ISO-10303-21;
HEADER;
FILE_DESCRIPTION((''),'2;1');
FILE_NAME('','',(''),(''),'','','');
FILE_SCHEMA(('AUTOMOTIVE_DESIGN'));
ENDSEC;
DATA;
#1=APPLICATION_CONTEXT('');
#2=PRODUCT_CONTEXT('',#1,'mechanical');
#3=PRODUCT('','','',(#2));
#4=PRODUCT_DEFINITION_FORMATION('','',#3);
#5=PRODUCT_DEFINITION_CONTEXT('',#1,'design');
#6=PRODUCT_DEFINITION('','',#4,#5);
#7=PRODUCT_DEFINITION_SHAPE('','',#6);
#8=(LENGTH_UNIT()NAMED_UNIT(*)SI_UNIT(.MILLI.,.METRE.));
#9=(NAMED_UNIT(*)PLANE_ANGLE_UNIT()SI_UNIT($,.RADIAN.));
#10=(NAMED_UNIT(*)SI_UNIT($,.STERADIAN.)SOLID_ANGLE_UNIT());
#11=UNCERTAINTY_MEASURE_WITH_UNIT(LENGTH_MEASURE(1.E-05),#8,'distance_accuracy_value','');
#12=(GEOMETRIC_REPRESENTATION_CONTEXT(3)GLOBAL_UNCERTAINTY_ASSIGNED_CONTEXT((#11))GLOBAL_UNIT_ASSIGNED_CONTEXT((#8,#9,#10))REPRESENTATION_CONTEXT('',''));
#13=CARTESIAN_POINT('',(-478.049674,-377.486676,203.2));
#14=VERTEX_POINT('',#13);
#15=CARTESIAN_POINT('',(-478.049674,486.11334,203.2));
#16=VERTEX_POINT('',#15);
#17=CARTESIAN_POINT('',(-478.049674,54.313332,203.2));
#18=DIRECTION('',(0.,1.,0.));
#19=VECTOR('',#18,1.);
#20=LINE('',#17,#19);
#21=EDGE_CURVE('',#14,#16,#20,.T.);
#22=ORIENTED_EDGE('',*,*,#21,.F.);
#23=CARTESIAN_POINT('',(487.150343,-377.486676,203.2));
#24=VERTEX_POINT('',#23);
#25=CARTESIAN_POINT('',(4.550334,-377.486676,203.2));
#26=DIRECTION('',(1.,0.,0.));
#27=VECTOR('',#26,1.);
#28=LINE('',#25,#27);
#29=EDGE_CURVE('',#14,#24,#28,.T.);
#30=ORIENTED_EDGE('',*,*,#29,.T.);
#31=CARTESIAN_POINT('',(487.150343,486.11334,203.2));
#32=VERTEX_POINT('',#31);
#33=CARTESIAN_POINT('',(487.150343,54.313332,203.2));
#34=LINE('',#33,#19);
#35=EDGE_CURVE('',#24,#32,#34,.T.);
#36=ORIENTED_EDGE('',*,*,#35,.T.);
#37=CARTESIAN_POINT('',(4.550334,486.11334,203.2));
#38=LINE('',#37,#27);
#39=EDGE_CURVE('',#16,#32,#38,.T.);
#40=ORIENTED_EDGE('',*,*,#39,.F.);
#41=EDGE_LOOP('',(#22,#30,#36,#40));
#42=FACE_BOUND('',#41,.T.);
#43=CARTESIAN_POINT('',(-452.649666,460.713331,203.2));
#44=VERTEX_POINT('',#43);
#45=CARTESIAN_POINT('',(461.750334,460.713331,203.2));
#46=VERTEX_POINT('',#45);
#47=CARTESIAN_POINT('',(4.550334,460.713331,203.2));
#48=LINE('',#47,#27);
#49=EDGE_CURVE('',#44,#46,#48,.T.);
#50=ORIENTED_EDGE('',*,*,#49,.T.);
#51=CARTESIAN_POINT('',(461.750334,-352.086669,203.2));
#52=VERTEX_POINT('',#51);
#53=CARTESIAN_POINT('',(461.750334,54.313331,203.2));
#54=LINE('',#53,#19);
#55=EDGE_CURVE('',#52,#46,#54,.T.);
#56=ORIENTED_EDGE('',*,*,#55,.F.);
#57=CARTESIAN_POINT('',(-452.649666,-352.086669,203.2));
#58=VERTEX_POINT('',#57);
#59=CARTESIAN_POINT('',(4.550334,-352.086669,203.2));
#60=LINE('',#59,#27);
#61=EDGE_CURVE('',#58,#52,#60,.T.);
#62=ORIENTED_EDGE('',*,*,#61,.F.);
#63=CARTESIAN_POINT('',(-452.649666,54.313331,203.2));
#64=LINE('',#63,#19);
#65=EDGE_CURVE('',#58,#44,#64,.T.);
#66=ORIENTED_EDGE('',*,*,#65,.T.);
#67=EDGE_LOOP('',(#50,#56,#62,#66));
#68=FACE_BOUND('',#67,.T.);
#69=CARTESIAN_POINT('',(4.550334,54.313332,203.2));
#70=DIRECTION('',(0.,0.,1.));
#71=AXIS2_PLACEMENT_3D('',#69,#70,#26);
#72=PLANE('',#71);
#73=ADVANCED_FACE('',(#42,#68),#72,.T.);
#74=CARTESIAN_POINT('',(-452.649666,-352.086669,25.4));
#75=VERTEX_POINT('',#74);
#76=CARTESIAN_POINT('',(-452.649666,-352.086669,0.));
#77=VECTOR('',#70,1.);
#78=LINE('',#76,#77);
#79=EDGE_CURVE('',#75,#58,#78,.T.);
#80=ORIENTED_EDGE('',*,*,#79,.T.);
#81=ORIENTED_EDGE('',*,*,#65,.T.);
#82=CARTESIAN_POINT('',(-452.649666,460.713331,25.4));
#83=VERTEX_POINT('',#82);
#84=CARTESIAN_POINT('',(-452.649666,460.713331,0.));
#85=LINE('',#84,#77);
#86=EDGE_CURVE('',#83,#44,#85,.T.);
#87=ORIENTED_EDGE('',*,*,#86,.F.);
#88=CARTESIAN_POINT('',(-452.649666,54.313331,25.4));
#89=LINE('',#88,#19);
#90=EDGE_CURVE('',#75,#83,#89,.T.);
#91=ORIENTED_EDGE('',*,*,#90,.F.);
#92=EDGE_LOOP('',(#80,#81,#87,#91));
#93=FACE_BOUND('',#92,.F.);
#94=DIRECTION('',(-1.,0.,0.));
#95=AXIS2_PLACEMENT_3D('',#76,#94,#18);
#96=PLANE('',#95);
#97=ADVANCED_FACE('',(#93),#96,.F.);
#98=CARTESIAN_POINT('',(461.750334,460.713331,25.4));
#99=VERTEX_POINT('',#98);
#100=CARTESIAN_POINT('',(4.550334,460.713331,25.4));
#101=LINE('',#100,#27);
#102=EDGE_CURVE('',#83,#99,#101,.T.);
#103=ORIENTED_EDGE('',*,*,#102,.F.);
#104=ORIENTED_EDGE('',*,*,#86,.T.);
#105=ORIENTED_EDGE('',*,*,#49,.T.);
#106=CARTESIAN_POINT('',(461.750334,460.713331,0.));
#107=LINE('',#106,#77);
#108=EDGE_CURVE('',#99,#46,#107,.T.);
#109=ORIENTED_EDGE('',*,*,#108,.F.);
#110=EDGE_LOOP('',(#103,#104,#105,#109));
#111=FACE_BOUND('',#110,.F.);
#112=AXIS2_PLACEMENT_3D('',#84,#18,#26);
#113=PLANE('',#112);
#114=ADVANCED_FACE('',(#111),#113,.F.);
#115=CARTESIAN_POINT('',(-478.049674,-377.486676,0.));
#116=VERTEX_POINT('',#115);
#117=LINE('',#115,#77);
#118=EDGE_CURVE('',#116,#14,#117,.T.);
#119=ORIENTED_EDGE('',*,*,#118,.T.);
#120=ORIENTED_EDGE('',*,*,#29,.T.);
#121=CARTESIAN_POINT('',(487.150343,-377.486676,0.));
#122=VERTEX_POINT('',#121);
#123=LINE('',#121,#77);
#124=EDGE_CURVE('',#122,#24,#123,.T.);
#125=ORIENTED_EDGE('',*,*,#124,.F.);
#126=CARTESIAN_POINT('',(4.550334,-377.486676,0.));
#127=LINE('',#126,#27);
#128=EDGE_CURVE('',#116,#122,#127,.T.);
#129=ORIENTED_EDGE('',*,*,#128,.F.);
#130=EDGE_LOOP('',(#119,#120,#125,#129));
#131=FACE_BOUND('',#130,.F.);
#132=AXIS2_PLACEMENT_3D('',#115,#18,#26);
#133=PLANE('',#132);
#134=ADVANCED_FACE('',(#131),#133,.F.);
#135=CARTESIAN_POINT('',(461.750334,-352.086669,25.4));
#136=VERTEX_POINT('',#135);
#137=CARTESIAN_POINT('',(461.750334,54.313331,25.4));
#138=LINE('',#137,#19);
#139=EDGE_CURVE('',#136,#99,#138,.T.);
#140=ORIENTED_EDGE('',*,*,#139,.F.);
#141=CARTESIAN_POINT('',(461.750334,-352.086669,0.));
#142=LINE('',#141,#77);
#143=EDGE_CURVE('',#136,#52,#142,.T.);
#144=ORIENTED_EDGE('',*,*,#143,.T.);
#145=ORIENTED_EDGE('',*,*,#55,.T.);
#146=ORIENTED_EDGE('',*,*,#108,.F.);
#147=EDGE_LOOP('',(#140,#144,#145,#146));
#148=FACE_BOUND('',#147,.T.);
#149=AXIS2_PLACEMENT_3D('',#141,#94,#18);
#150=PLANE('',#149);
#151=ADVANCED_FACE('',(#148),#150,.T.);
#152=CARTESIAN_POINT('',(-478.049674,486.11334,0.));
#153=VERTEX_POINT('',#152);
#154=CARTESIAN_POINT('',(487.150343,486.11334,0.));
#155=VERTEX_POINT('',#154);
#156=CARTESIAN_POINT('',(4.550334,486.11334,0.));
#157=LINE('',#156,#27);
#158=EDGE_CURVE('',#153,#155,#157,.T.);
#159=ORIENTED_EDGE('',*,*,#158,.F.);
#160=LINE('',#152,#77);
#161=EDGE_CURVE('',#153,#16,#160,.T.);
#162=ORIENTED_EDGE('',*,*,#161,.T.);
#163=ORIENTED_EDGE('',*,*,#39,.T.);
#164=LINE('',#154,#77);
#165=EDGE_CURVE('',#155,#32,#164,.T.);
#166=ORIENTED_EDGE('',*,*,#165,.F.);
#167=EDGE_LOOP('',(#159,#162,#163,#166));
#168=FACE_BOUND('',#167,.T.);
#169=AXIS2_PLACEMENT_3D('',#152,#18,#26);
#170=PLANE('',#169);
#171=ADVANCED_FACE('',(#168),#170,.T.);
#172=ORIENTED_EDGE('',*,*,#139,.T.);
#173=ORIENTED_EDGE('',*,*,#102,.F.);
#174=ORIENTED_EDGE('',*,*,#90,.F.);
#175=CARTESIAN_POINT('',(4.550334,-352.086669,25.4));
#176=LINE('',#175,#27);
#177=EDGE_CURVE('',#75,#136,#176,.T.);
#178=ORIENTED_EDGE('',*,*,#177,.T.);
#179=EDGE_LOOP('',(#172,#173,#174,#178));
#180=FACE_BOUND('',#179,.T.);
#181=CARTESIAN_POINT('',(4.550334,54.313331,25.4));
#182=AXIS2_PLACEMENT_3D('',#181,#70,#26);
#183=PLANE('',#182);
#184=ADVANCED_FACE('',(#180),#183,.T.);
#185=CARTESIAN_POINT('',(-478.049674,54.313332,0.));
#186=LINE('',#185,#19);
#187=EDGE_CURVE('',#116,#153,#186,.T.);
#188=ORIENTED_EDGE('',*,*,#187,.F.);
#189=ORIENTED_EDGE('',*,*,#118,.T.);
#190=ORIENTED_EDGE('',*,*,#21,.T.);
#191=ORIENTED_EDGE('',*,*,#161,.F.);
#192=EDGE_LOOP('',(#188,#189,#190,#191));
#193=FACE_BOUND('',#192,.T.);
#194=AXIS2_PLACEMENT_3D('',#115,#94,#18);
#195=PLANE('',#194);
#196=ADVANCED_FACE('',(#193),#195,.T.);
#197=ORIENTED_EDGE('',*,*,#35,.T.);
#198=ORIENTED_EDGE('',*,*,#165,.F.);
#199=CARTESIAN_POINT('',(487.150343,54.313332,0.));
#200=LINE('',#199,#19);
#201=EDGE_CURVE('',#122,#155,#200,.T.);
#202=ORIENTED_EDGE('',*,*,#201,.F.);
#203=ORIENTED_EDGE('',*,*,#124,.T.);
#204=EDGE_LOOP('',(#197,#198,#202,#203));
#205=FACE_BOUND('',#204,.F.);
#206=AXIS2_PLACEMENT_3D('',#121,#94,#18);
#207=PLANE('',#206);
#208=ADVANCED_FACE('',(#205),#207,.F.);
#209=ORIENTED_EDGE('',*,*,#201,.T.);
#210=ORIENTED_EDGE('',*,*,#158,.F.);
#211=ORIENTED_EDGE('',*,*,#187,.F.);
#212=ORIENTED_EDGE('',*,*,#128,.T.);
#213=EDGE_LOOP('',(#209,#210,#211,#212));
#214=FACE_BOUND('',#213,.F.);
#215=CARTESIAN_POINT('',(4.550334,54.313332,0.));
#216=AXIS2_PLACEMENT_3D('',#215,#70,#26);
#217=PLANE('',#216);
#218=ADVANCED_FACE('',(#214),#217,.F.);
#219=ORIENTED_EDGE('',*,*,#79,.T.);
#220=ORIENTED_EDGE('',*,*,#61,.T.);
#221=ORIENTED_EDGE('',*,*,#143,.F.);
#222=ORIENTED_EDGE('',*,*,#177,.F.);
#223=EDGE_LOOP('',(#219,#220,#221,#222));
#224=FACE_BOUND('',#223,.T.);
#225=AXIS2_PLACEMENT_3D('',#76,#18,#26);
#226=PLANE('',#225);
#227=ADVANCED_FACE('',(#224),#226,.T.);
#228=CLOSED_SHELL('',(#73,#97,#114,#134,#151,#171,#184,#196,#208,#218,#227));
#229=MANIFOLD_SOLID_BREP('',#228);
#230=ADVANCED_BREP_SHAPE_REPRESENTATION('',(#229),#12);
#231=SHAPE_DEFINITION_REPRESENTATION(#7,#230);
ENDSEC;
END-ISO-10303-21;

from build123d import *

# Parameters (mm, degrees)
F0_W     = 914.4
F0_H     = 812.8
F1_DEPTH = 25.4
F0_W_2   = 965.200017
F0_H_2   = 863.600017
F2_DEPTH = 203.2


with BuildPart() as f1:
    # F0 (on Top) → F1 (new body)
    with BuildSketch(Plane.XY):
        with Locations((4.550334, 54.313331)):
            Rectangle(F0_W, F0_H)
    extrude(amount=F1_DEPTH)

    # F0 (on Top) → F2 (join)
    with BuildSketch(Plane.XY):
        with Locations((4.550334, 54.313332)):
            Rectangle(F0_W_2, F0_H_2)
        with Locations((4.550334, 54.313331)):
            Rectangle(F0_W, F0_H, mode=Mode.SUBTRACT)
    extrude(amount=F2_DEPTH)


solid = f1.part
